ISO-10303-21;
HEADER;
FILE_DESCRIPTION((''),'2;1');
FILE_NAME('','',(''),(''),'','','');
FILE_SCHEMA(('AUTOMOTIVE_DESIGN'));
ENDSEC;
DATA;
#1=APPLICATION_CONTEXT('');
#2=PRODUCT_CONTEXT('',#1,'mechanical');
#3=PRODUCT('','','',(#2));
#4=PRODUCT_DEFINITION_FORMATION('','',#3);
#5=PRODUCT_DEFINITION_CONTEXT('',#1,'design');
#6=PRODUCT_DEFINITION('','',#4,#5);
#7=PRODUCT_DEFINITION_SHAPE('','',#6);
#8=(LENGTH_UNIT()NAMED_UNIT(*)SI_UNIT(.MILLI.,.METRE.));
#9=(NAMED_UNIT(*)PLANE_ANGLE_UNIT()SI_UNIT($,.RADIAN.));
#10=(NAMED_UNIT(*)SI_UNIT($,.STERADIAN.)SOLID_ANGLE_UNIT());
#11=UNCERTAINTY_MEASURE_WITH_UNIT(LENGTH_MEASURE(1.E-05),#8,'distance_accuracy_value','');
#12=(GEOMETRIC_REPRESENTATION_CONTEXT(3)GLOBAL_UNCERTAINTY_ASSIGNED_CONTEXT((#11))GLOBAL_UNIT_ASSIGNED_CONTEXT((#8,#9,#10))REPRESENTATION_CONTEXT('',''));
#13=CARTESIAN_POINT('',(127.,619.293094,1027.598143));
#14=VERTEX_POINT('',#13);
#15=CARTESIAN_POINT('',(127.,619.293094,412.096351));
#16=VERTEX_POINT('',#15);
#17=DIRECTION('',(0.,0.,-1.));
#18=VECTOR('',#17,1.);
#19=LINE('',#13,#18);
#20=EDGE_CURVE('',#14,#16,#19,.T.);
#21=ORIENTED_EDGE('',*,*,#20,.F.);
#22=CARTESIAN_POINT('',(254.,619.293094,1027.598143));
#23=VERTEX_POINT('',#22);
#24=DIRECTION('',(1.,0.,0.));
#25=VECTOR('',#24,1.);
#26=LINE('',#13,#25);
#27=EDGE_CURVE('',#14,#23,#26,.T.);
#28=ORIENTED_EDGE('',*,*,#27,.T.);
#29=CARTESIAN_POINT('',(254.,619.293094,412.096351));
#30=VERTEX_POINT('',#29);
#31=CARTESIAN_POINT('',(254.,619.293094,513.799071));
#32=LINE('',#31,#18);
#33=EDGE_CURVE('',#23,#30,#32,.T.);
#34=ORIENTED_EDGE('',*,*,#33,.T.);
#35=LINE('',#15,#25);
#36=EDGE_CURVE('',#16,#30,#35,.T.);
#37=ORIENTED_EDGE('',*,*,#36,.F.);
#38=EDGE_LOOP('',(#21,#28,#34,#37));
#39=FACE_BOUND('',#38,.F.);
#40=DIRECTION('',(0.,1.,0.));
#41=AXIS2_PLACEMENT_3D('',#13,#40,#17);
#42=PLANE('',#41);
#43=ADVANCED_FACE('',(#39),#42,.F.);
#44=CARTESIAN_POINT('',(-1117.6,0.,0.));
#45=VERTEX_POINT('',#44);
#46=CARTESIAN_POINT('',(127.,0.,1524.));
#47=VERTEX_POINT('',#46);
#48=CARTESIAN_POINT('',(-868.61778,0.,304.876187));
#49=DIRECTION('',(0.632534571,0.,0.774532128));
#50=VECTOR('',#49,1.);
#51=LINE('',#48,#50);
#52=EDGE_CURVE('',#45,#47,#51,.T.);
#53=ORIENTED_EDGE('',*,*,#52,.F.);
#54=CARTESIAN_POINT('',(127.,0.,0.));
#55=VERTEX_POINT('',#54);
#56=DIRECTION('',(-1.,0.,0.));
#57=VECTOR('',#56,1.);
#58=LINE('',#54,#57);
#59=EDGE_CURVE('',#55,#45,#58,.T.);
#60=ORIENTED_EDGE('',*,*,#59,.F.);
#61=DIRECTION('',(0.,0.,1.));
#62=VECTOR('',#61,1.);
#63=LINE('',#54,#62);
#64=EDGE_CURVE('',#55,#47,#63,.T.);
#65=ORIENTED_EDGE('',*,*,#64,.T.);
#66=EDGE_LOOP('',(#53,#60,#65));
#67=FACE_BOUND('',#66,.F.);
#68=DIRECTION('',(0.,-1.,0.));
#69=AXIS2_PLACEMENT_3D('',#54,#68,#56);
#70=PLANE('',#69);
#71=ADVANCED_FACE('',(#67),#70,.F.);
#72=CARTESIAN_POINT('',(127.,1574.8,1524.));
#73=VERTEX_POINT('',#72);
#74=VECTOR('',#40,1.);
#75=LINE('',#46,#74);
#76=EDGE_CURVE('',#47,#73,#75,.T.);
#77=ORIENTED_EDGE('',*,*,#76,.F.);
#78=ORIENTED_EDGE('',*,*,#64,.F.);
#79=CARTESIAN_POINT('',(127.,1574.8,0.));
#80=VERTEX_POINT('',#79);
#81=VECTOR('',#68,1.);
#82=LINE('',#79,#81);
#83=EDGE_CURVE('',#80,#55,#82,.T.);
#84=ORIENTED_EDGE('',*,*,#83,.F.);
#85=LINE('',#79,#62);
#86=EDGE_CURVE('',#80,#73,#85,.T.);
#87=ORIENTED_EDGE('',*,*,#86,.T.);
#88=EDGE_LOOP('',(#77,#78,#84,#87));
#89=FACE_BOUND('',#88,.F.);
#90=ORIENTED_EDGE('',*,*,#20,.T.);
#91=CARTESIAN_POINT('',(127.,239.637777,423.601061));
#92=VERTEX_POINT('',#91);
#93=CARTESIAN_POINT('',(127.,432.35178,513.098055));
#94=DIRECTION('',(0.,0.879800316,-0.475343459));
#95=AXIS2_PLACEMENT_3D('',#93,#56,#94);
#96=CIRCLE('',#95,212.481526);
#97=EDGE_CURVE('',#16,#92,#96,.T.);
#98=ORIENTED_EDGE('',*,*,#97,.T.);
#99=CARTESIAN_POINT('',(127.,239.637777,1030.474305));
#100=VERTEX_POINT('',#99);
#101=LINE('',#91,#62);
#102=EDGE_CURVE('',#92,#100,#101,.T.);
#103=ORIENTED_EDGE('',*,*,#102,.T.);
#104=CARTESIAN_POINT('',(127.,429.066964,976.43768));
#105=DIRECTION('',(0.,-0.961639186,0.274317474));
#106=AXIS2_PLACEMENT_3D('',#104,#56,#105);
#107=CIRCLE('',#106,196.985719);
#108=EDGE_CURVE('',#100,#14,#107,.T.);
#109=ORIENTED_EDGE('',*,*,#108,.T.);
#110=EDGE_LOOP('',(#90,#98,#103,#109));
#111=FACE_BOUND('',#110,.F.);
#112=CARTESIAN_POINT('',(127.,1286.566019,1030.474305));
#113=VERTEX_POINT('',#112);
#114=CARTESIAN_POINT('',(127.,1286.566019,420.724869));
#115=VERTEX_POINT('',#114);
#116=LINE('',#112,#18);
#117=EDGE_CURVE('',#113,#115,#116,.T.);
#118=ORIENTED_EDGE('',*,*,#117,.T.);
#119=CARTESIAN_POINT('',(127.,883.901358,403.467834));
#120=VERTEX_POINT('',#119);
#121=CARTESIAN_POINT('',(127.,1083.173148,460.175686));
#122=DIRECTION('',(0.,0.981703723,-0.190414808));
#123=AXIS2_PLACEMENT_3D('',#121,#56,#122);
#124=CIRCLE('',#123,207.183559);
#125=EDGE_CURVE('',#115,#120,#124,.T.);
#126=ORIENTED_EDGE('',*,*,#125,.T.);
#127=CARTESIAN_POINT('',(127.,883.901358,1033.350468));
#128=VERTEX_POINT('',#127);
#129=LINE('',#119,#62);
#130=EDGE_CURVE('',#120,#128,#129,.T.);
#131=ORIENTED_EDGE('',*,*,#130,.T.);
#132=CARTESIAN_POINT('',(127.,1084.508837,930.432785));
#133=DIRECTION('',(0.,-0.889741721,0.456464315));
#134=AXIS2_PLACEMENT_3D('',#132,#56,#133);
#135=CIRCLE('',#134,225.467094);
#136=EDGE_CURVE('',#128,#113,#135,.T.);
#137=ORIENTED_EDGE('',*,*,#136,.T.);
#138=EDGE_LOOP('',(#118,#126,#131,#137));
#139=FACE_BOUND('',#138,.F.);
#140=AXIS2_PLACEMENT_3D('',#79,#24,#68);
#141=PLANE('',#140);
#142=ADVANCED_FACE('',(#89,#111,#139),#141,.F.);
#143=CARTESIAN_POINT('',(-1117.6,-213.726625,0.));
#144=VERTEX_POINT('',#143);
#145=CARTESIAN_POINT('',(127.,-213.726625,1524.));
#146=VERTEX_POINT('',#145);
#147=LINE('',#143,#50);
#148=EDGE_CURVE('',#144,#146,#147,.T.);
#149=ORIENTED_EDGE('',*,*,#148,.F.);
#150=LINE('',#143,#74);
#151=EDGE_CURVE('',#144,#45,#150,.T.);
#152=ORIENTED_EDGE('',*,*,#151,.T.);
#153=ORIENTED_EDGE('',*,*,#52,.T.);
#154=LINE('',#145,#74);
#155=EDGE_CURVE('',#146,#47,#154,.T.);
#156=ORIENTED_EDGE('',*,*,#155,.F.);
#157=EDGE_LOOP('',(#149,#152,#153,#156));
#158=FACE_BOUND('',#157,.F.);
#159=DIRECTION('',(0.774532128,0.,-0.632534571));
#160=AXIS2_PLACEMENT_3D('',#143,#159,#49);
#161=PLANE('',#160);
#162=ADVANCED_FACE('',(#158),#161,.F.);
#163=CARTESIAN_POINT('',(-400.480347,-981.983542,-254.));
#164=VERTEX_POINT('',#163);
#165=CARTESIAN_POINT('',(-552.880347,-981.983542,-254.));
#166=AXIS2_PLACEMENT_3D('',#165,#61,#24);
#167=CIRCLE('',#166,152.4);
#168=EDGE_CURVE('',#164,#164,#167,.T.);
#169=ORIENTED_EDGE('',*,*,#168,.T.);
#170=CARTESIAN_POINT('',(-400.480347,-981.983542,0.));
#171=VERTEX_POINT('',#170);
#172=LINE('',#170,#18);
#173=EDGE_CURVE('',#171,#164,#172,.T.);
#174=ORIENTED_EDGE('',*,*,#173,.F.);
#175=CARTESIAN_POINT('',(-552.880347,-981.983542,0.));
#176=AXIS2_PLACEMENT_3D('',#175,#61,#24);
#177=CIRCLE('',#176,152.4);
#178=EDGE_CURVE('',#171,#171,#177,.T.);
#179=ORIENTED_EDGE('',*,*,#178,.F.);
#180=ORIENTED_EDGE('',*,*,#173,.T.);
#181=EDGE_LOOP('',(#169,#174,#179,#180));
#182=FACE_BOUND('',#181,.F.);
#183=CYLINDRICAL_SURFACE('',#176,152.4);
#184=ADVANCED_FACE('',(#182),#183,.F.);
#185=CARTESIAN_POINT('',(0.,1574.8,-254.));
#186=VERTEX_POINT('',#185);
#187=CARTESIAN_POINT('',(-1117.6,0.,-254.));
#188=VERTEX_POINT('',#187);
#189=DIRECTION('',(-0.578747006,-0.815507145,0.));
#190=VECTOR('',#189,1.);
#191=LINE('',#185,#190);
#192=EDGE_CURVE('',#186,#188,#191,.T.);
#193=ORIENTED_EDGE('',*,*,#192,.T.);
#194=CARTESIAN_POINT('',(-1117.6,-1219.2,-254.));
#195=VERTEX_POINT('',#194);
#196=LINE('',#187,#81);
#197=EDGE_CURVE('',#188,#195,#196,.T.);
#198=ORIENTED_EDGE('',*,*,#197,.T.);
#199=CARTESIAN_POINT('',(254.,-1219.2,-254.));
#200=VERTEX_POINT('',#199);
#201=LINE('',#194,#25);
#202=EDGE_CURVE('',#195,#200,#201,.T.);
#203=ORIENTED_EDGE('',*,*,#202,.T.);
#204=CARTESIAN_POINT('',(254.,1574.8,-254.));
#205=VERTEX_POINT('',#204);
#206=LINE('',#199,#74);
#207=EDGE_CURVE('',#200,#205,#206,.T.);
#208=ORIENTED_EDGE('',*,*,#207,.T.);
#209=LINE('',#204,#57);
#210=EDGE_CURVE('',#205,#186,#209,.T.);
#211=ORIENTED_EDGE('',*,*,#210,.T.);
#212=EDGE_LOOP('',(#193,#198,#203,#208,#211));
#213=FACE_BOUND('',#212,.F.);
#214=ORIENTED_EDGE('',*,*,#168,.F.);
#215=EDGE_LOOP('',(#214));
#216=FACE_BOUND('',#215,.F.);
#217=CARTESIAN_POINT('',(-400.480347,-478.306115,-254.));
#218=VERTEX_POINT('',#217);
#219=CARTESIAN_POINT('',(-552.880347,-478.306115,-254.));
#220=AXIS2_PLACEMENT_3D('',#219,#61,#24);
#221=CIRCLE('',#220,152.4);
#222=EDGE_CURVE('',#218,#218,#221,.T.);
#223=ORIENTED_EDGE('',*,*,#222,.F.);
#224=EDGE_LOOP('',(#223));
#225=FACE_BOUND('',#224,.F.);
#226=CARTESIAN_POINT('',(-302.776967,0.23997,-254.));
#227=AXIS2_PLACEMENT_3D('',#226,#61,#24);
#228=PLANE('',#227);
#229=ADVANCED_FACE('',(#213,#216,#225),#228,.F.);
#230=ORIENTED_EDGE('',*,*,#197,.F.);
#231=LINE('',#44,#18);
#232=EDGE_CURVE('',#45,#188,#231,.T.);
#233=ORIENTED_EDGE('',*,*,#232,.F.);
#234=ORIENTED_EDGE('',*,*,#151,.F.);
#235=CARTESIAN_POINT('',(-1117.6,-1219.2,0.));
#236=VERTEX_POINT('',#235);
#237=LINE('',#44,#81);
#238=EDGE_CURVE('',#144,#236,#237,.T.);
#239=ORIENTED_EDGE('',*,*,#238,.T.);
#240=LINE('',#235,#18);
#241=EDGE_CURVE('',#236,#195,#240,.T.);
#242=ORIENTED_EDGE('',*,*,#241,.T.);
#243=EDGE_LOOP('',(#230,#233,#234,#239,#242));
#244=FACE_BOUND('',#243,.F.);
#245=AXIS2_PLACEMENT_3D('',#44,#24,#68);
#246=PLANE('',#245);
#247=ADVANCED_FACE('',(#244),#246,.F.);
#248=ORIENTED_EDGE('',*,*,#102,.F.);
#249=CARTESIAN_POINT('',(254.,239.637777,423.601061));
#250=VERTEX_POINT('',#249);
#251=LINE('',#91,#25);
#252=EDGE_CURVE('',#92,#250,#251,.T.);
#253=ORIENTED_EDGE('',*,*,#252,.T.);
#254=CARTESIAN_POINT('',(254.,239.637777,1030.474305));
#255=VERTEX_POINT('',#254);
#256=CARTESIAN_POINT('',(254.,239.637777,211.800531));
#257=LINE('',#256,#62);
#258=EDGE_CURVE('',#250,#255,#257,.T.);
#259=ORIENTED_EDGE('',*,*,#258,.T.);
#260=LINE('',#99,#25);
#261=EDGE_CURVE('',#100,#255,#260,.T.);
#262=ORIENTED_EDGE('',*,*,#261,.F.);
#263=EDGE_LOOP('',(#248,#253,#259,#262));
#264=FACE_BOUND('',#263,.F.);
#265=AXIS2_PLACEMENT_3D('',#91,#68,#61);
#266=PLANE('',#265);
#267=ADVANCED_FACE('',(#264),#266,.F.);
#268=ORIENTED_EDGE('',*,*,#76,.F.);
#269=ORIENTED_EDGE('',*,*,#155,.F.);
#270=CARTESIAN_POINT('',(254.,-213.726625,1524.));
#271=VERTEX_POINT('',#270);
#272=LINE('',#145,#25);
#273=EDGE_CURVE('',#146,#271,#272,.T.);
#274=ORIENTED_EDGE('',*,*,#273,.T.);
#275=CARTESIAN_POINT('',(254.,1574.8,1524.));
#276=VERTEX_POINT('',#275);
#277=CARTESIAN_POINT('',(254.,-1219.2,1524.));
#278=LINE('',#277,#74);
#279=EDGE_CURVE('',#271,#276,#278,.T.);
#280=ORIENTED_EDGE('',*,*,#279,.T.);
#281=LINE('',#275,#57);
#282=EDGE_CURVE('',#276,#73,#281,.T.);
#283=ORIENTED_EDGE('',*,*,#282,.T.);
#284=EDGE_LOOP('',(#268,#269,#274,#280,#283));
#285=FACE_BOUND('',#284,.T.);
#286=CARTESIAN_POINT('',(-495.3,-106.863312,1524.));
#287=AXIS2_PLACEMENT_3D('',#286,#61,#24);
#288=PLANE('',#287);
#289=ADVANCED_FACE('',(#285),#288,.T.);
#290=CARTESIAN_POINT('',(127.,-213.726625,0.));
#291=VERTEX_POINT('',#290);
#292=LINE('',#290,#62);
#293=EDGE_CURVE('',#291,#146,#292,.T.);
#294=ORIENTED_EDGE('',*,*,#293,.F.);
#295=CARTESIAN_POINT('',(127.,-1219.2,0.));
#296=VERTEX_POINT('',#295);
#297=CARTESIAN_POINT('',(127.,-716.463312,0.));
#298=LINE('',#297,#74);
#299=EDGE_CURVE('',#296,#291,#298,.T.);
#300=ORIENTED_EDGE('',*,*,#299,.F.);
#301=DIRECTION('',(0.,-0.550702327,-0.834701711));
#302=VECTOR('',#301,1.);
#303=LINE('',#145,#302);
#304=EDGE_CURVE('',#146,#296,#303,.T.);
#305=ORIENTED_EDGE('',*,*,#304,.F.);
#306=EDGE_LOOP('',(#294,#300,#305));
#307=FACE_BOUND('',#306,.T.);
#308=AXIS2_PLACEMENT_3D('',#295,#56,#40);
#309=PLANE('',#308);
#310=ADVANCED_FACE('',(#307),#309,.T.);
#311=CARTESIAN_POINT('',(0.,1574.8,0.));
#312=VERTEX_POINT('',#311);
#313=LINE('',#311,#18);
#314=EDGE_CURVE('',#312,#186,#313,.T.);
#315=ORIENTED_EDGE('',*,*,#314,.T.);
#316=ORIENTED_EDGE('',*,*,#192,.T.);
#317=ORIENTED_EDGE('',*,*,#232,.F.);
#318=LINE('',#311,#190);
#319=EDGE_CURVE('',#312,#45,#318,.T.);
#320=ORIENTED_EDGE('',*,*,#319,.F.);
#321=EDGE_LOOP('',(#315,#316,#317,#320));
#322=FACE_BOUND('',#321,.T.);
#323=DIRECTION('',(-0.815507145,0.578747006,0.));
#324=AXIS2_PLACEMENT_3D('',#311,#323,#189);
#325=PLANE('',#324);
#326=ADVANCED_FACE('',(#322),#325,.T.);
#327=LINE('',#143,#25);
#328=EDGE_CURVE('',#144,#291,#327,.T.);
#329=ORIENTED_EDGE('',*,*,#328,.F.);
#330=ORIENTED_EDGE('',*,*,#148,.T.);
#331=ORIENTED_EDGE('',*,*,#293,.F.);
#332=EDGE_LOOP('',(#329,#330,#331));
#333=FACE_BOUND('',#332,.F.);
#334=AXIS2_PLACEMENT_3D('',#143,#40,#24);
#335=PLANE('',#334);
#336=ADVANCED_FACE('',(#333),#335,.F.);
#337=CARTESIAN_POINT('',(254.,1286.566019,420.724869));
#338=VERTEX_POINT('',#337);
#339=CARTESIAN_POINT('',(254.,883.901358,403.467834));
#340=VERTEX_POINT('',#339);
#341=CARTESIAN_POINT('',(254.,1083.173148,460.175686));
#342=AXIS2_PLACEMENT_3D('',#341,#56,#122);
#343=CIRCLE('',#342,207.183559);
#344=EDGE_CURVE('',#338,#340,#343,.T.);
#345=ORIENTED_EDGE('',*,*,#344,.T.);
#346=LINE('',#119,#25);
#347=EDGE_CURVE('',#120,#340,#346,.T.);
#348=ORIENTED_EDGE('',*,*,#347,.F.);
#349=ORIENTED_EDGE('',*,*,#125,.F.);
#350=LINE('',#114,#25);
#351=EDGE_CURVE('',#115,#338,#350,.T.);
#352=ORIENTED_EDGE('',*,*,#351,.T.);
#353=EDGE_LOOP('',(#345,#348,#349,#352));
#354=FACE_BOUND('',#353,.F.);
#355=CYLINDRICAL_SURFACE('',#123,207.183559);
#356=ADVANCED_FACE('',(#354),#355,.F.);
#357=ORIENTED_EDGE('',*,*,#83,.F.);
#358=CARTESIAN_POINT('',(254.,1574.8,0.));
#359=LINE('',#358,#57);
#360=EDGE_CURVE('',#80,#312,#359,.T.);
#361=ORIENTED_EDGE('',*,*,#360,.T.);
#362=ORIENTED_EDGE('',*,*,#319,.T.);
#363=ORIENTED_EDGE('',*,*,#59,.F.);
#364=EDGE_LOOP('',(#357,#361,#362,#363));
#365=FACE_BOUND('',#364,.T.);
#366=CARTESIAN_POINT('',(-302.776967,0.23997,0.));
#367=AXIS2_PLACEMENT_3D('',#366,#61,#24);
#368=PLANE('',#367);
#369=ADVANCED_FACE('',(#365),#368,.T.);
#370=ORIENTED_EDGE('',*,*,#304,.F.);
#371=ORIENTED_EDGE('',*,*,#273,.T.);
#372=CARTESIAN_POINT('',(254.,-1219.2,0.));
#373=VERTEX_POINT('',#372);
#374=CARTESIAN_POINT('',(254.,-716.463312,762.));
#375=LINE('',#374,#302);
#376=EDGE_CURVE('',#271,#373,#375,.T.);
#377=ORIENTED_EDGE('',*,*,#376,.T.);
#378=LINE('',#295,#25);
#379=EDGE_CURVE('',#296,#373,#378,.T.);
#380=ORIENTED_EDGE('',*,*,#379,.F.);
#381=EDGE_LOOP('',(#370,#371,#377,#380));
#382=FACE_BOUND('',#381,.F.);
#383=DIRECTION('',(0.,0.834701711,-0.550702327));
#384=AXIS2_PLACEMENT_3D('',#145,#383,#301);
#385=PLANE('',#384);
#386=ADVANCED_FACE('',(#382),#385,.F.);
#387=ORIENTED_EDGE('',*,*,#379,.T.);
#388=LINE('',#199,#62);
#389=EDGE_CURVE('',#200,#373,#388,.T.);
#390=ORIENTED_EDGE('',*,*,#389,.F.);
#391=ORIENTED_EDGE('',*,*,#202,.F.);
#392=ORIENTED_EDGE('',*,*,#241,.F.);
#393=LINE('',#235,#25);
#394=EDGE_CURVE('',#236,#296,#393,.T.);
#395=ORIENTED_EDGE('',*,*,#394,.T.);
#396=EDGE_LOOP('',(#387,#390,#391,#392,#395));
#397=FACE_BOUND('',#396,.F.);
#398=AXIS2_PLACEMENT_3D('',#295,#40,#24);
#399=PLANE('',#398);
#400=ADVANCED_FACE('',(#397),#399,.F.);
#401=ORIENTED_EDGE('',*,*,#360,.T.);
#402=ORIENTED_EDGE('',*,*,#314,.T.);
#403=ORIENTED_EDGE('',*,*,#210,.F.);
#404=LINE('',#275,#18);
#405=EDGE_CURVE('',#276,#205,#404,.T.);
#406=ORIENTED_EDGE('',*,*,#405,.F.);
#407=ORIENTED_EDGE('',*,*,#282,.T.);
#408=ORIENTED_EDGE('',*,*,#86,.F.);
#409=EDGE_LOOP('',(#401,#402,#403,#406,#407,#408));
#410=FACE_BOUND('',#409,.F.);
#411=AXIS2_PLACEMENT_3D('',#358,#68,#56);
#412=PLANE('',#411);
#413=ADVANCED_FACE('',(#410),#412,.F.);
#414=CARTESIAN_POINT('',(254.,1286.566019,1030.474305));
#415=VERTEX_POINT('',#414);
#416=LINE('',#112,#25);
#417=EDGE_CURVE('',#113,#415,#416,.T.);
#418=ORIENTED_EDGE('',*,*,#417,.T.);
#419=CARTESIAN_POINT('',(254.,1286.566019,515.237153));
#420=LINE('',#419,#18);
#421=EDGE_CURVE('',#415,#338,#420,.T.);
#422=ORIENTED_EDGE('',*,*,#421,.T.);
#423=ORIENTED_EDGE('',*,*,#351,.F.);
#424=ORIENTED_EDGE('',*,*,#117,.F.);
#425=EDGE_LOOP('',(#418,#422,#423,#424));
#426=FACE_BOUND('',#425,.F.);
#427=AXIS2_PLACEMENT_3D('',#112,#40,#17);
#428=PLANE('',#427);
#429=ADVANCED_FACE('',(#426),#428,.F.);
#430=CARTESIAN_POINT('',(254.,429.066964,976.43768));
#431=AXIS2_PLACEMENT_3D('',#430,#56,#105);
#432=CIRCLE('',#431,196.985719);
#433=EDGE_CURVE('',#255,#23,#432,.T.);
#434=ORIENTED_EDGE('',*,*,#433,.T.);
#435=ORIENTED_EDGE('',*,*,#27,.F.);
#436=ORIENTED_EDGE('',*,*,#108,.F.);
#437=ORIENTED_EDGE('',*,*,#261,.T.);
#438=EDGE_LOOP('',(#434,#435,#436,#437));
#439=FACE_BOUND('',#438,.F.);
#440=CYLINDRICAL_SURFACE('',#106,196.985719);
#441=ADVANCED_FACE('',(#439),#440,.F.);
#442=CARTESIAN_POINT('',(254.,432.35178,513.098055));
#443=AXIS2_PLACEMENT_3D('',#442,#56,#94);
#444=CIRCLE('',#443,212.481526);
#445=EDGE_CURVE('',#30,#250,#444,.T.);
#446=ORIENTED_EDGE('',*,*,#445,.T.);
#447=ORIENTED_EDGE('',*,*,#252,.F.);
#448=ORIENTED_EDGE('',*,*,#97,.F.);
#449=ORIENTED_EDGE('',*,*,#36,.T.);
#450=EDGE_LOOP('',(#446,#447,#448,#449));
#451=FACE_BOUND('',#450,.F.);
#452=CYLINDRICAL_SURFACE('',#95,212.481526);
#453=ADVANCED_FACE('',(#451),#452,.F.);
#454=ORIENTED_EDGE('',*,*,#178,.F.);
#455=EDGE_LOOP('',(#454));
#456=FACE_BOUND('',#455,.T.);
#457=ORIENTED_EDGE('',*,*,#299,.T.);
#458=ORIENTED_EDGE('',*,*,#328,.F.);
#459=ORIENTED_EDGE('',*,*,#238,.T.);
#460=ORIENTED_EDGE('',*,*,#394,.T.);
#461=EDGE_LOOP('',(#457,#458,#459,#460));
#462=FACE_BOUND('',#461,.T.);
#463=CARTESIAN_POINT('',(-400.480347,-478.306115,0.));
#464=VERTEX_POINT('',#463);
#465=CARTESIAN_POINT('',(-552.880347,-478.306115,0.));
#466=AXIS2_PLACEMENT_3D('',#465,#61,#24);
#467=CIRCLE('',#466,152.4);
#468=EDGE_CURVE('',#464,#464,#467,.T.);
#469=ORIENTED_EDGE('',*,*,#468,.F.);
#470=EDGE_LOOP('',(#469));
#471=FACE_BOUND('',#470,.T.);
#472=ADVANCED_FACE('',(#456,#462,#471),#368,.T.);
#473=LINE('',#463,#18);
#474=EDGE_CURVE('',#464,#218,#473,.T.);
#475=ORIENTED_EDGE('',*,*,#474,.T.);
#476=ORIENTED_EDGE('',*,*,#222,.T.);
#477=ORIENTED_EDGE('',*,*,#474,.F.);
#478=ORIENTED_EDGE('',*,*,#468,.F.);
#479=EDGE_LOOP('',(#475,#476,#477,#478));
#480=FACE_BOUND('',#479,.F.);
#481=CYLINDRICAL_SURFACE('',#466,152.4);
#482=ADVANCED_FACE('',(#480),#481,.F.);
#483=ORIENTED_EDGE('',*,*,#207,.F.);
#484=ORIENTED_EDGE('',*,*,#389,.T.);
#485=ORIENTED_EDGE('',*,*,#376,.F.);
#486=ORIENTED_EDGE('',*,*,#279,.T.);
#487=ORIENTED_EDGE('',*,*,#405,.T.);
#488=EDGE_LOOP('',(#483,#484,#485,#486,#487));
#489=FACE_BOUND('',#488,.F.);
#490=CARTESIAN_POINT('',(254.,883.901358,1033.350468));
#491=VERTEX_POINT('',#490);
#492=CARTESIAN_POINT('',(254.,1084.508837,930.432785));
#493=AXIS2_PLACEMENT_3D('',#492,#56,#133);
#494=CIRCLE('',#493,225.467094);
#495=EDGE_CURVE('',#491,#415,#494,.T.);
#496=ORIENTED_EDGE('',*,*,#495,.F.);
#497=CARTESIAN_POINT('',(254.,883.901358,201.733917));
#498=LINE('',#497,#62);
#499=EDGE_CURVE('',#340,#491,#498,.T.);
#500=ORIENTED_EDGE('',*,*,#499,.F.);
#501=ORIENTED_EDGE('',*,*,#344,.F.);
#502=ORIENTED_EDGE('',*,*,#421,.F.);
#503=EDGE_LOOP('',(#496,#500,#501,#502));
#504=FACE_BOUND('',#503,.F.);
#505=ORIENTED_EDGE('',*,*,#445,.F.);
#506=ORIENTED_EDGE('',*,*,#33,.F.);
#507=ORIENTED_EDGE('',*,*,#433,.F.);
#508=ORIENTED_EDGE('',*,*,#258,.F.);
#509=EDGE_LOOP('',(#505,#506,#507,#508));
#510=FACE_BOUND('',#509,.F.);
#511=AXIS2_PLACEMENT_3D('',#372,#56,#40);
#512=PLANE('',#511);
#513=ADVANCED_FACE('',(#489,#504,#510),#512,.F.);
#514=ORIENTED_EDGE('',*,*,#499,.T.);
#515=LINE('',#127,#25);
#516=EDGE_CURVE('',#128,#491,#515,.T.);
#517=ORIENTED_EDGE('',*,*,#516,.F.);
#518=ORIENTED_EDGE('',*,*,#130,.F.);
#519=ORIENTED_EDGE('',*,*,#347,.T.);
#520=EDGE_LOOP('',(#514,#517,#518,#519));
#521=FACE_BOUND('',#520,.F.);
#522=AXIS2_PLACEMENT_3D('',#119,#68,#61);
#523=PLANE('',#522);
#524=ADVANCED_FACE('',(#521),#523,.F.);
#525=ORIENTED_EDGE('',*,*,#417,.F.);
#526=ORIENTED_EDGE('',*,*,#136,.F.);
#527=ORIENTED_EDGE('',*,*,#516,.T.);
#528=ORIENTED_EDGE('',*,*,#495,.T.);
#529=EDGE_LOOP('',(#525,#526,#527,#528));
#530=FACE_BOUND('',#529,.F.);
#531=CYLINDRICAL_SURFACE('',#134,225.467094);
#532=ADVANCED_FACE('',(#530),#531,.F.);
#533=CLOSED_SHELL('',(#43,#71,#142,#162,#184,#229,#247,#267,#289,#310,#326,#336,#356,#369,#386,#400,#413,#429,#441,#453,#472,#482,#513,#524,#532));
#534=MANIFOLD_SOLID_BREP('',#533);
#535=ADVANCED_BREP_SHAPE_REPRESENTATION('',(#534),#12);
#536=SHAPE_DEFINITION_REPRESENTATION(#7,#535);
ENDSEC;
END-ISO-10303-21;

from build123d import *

# Parameters (mm, degrees)
F0_R     = 152.4
F1_DEPTH = 254
F2_W     = 127
F2_H     = 1005.4733751535
F3_DEPTH = 1524
F6_DEPTH = 254
F8_DEPTH = 254
F9_DEPTH = 254


with BuildPart() as f1:
    # F0 (on Top) → F1 (new body)
    with BuildSketch(Plane.XY):
        Polygon((254, -1219.2), (254, 1574.8), (0, 1574.8), (-1117.6, 0), (-1117.6, -1219.2), align=None)
        with Locations((-552.8803467751, -981.9835424423)):
            Circle(F0_R, mode=Mode.SUBTRACT)
        with Locations((-552.8803467751, -478.3061146736)):
            Circle(F0_R, mode=Mode.SUBTRACT)
    extrude(amount=-F1_DEPTH)

    # F2 (on face) → F3 (join)
    with BuildSketch(Plane.XY):
        Polygon((127, 0), (-1117.6, 0), (-1117.6, -213.7266248465), (-431.8, -213.7266248465), (127, -213.7266248465), align=None)
        with Locations((190.5, -716.4633124232)):
            Rectangle(F2_W, F2_H)
        Polygon((127, 1574.8), (127, 0), (127, -213.7266248465), (254, -213.7266248465), (254, 0), (254, 1574.8), align=None)
    extrude(amount=F3_DEPTH)

    # F5 (on face) → F6 (cut)
    with BuildSketch(Plane(origin=(127, 0, 0), x_dir=(0, -1, 0), z_dir=(-1, 0, 0))):
        Polygon((1219.2, 1524), (213.7266248465, 1524), (1219.2, 0), align=None)
    extrude(amount=-F6_DEPTH, mode=Mode.SUBTRACT)

    # F7 (on face) → F8 (cut)
    with BuildSketch(Plane.XZ.offset(213.7266248465)):
        Polygon((-1117.6, 0), (127, 1524), (-1117.6, 1524), align=None)
    extrude(amount=-F8_DEPTH, mode=Mode.SUBTRACT)

    # F4 (on face) → F9 (cut)
    with BuildSketch(Plane(origin=(127, 0, 0), x_dir=(0, -1, 0), z_dir=(-1, 0, 0))):
        with BuildLine():
            Line((-883.9013576508, 403.4678339958), (-883.9013576508, 1033.3504676819))
            ThreePointArc((-883.9013576508, 1033.3504676819), (-1086.1192680246, 1155.8941275066), (-1286.5660190582, 1030.4743051529))
            Line((-1286.5660190582, 1030.4743051529), (-1286.5660190582, 420.7248687744))
            ThreePointArc((-1286.5660190582, 420.7248687744), (-1092.044288841, 253.1821361636), (-883.9013576508, 403.4678339958))
        make_face()
        with BuildLine():
            Line((-239.6377772093, 423.6010611057), (-239.6377772093, 1030.4743051529))
            ThreePointArc((-239.6377772093, 1030.4743051529), (-430.5592294957, 1173.4177468945), (-619.2930936813, 1027.5981426239))
            Line((-619.2930936813, 1027.5981426239), (-619.2930936813, 412.0963513851))
            ThreePointArc((-619.2930936813, 412.0963513851), (-425.9158985225, 300.7140199759), (-239.6377772093, 423.6010611057))
        make_face()
    extrude(amount=-F9_DEPTH, mode=Mode.SUBTRACT)


solid = f1.part
